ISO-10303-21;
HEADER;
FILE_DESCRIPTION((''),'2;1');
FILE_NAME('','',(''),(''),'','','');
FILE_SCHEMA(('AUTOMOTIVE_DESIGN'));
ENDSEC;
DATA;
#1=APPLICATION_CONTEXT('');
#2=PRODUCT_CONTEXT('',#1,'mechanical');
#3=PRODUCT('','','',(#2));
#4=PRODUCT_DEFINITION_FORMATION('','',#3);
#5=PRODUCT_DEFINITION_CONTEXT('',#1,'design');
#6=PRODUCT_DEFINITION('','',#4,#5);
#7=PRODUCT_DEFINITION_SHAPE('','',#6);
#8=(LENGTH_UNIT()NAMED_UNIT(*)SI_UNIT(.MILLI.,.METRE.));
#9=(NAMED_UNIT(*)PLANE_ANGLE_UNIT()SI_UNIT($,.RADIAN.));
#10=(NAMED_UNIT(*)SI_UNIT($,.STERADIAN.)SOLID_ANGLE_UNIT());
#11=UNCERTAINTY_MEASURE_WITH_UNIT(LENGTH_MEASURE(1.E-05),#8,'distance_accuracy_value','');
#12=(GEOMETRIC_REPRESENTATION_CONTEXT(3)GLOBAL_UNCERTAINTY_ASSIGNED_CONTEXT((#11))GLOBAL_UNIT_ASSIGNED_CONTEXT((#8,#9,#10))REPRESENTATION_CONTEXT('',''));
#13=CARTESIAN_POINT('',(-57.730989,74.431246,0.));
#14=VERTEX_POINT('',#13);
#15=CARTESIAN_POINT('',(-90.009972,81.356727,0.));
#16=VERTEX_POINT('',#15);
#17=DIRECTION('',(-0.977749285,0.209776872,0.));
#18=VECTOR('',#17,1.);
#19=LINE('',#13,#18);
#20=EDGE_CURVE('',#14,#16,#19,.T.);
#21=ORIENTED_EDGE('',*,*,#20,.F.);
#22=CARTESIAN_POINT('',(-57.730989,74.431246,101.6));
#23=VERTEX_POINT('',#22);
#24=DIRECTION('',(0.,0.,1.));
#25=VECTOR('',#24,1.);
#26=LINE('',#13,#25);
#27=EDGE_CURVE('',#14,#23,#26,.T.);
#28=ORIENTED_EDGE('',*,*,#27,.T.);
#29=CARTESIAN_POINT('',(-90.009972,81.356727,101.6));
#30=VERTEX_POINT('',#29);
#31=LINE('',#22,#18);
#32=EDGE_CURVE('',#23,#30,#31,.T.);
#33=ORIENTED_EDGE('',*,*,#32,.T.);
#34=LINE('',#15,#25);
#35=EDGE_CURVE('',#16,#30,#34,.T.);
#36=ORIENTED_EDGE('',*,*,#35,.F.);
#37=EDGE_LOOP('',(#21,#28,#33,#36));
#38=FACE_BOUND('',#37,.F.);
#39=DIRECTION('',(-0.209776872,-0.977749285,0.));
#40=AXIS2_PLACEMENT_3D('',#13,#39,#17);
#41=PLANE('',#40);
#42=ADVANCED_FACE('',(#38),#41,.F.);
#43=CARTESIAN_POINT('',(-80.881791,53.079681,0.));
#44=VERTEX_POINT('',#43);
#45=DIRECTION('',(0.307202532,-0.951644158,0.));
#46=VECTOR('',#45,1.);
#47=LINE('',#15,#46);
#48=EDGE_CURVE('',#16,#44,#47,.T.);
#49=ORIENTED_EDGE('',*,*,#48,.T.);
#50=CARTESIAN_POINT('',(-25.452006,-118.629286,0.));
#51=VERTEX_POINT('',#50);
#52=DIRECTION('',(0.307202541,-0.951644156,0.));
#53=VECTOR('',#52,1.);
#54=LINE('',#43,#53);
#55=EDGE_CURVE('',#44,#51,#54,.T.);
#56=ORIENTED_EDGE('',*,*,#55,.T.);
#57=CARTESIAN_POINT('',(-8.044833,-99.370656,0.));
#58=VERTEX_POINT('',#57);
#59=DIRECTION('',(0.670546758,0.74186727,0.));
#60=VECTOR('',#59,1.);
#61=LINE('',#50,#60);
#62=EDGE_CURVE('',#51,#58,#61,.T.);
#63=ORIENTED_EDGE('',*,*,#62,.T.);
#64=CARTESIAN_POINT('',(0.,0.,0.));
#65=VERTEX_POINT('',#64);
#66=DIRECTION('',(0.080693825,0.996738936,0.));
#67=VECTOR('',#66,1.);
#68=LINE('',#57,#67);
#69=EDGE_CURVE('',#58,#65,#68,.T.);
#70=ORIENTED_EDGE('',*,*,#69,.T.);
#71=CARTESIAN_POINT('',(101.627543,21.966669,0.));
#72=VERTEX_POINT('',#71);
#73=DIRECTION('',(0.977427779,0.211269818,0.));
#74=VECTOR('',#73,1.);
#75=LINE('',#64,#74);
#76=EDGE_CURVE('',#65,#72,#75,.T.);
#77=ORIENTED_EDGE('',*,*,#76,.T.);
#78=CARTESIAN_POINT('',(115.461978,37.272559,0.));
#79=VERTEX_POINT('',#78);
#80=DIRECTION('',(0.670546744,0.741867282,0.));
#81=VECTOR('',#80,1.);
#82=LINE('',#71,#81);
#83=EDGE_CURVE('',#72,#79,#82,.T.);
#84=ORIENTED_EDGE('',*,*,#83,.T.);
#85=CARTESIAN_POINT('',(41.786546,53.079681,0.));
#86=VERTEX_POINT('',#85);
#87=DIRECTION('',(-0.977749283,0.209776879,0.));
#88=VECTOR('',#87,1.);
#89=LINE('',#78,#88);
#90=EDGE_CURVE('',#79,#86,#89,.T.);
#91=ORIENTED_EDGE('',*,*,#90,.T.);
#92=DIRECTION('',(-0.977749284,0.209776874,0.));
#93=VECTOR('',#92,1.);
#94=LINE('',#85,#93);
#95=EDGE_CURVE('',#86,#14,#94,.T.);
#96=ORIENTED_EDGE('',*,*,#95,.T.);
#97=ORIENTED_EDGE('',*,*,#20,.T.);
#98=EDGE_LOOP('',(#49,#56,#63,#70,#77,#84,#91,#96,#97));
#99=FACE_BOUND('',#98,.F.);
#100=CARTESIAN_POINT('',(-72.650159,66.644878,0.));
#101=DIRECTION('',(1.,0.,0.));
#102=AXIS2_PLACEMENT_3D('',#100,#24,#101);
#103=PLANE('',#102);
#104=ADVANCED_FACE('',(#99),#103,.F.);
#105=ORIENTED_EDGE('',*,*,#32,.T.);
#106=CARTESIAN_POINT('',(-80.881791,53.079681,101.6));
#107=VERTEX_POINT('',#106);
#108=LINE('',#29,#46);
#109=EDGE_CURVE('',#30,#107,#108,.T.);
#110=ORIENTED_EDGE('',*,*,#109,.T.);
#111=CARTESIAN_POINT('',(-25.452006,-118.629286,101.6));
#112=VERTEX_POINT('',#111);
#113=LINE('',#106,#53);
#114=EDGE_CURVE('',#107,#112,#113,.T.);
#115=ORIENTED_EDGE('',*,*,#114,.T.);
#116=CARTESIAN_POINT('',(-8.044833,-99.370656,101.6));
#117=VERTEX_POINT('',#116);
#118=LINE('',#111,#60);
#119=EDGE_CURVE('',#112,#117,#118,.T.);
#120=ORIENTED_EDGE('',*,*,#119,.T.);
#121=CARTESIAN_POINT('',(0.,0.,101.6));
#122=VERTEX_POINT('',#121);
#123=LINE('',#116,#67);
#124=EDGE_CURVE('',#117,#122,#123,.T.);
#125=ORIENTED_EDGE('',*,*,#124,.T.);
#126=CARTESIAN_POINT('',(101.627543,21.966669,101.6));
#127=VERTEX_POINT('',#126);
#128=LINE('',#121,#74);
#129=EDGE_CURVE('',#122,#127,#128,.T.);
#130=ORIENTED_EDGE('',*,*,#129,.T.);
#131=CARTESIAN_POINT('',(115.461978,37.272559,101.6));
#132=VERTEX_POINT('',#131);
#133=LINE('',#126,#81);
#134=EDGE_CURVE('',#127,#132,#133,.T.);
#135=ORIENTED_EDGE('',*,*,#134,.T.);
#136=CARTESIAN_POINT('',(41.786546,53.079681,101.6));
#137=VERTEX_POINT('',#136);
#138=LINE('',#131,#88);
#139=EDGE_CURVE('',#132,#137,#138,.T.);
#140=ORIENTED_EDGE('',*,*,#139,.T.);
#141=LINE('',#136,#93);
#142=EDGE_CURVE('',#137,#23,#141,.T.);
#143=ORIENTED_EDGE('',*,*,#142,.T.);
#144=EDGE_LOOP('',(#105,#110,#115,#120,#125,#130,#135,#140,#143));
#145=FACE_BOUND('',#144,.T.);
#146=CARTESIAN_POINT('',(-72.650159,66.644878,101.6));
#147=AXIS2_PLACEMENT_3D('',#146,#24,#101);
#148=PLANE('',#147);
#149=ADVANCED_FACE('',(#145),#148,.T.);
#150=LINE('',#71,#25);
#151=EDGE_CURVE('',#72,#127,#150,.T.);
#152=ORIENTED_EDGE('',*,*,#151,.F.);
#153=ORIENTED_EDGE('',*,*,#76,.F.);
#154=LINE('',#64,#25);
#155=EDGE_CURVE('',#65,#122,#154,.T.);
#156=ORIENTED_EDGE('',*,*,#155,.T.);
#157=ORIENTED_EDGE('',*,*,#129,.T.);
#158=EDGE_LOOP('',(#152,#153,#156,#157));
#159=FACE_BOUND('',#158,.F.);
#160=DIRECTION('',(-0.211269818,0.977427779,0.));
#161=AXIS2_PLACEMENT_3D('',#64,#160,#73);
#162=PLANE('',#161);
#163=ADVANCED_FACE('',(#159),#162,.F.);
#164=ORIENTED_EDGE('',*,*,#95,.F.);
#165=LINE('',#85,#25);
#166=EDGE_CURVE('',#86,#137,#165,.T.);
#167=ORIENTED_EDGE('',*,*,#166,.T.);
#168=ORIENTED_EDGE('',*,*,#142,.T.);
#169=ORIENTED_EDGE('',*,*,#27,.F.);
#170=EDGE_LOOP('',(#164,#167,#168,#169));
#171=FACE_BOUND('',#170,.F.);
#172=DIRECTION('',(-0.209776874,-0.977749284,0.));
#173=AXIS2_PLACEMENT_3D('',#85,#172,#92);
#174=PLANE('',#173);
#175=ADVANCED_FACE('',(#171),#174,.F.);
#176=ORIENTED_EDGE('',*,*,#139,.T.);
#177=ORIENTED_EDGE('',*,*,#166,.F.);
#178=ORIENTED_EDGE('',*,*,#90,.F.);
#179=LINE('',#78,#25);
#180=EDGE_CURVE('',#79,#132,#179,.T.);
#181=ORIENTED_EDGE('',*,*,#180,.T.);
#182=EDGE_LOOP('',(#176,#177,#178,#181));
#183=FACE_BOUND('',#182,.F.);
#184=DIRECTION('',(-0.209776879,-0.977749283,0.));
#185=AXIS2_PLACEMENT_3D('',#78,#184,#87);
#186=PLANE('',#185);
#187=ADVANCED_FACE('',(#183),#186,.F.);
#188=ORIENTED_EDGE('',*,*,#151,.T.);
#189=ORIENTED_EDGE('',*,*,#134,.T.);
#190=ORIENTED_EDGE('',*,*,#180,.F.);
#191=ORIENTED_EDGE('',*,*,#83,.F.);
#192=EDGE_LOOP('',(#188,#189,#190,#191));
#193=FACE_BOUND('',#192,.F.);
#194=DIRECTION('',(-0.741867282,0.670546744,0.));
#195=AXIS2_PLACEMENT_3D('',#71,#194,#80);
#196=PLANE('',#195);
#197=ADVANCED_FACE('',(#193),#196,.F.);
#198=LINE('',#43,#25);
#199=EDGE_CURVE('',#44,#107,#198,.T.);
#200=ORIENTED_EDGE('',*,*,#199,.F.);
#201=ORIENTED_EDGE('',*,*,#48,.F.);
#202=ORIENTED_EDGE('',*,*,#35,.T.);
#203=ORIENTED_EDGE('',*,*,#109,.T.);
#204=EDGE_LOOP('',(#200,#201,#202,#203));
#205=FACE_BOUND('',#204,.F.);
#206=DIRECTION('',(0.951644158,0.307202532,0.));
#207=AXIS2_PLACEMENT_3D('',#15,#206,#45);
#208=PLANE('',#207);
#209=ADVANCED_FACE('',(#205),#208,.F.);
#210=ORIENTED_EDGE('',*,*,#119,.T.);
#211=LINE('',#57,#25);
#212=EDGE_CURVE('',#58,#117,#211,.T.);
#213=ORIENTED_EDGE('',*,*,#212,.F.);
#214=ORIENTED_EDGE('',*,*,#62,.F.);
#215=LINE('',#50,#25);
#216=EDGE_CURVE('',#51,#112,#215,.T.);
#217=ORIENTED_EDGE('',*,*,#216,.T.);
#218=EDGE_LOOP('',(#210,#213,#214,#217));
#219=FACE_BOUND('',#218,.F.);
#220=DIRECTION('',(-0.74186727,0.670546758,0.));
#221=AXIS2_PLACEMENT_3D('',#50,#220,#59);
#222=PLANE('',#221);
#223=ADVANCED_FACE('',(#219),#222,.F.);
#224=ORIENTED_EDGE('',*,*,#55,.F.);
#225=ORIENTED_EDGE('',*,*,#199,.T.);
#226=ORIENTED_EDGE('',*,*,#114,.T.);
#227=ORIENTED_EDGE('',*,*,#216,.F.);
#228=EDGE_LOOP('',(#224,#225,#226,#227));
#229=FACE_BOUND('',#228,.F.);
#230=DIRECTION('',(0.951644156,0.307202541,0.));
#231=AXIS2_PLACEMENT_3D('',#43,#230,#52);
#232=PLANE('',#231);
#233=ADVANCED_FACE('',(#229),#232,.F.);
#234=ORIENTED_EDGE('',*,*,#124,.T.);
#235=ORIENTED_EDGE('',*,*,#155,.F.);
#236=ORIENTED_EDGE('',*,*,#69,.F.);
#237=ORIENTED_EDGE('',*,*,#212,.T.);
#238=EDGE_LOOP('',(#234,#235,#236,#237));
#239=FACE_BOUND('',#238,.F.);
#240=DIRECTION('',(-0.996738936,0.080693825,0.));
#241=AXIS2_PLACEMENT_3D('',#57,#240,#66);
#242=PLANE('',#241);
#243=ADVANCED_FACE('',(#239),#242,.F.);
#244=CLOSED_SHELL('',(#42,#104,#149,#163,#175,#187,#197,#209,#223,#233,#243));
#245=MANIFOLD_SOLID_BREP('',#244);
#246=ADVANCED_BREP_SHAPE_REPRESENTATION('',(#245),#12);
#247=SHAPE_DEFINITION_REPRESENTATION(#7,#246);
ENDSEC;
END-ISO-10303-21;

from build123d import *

# Parameters (mm, degrees)
F1_DEPTH = 101.6


with BuildPart() as f1:
    # F0 (on Top) → F1 (new body)
    with BuildSketch(Plane.XY):
        Polygon((-56.801282, 53.079681), (-57.730989, 74.431246), (-90.009972, 81.356727), (-80.881791, 53.079681), align=None)
        with BuildLine():
            Line((36.024634, 53.079681), (41.786546, 53.079681))
            ThreePointArc((41.786546, 53.079681), (38.90559, 53.181468), (36.024634, 53.079681))
        make_face()
        with BuildLine():
            ThreePointArc((36.024634, 53.079681), (38.90559, 53.181468), (41.786546, 53.079681))
            Line((41.786546, 53.079681), (-57.730989, 74.431246))
            Line((-57.730989, 74.431246), (-56.801282, 53.079681))
            Line((-56.801282, 53.079681), (36.024634, 53.079681))
        make_face()
        with BuildLine():
            Line((0, 0), (41.786546, 53.079681))
            Line((41.786546, 53.079681), (36.024634, 53.079681))
            ThreePointArc((36.024634, 53.079681), (5.128497, 35.283956), (0, 0))
        make_face()
        with BuildLine():
            Line((-53.222388, -29.112805), (0, 0))
            ThreePointArc((0, 0), (-34.621498, 0.087584), (-53.222388, -29.112805))
        make_face()
        Polygon((101.627543, 21.966669), (115.461978, 37.272559), (41.786546, 53.079681), (0, 0), align=None)
        Polygon((-25.452006, -118.629286), (-8.044833, -99.370656), (0, 0), (-53.222388, -29.112805), (-56.801282, 53.079681), (-80.881791, 53.079681), align=None)
        with BuildLine():
            ThreePointArc((-53.222388, -29.112805), (-34.621498, 0.087584), (0, 0))
            Line((0, 0), (-56.801282, 53.079681))
            Line((-56.801282, 53.079681), (-53.222388, -29.112805))
        make_face()
        with BuildLine():
            Line((-56.801282, 53.079681), (0, 0))
            ThreePointArc((0, 0), (5.128497, 35.283956), (36.024634, 53.079681))
            Line((36.024634, 53.079681), (-56.801282, 53.079681))
        make_face()
    extrude(amount=F1_DEPTH)


solid = f1.part
